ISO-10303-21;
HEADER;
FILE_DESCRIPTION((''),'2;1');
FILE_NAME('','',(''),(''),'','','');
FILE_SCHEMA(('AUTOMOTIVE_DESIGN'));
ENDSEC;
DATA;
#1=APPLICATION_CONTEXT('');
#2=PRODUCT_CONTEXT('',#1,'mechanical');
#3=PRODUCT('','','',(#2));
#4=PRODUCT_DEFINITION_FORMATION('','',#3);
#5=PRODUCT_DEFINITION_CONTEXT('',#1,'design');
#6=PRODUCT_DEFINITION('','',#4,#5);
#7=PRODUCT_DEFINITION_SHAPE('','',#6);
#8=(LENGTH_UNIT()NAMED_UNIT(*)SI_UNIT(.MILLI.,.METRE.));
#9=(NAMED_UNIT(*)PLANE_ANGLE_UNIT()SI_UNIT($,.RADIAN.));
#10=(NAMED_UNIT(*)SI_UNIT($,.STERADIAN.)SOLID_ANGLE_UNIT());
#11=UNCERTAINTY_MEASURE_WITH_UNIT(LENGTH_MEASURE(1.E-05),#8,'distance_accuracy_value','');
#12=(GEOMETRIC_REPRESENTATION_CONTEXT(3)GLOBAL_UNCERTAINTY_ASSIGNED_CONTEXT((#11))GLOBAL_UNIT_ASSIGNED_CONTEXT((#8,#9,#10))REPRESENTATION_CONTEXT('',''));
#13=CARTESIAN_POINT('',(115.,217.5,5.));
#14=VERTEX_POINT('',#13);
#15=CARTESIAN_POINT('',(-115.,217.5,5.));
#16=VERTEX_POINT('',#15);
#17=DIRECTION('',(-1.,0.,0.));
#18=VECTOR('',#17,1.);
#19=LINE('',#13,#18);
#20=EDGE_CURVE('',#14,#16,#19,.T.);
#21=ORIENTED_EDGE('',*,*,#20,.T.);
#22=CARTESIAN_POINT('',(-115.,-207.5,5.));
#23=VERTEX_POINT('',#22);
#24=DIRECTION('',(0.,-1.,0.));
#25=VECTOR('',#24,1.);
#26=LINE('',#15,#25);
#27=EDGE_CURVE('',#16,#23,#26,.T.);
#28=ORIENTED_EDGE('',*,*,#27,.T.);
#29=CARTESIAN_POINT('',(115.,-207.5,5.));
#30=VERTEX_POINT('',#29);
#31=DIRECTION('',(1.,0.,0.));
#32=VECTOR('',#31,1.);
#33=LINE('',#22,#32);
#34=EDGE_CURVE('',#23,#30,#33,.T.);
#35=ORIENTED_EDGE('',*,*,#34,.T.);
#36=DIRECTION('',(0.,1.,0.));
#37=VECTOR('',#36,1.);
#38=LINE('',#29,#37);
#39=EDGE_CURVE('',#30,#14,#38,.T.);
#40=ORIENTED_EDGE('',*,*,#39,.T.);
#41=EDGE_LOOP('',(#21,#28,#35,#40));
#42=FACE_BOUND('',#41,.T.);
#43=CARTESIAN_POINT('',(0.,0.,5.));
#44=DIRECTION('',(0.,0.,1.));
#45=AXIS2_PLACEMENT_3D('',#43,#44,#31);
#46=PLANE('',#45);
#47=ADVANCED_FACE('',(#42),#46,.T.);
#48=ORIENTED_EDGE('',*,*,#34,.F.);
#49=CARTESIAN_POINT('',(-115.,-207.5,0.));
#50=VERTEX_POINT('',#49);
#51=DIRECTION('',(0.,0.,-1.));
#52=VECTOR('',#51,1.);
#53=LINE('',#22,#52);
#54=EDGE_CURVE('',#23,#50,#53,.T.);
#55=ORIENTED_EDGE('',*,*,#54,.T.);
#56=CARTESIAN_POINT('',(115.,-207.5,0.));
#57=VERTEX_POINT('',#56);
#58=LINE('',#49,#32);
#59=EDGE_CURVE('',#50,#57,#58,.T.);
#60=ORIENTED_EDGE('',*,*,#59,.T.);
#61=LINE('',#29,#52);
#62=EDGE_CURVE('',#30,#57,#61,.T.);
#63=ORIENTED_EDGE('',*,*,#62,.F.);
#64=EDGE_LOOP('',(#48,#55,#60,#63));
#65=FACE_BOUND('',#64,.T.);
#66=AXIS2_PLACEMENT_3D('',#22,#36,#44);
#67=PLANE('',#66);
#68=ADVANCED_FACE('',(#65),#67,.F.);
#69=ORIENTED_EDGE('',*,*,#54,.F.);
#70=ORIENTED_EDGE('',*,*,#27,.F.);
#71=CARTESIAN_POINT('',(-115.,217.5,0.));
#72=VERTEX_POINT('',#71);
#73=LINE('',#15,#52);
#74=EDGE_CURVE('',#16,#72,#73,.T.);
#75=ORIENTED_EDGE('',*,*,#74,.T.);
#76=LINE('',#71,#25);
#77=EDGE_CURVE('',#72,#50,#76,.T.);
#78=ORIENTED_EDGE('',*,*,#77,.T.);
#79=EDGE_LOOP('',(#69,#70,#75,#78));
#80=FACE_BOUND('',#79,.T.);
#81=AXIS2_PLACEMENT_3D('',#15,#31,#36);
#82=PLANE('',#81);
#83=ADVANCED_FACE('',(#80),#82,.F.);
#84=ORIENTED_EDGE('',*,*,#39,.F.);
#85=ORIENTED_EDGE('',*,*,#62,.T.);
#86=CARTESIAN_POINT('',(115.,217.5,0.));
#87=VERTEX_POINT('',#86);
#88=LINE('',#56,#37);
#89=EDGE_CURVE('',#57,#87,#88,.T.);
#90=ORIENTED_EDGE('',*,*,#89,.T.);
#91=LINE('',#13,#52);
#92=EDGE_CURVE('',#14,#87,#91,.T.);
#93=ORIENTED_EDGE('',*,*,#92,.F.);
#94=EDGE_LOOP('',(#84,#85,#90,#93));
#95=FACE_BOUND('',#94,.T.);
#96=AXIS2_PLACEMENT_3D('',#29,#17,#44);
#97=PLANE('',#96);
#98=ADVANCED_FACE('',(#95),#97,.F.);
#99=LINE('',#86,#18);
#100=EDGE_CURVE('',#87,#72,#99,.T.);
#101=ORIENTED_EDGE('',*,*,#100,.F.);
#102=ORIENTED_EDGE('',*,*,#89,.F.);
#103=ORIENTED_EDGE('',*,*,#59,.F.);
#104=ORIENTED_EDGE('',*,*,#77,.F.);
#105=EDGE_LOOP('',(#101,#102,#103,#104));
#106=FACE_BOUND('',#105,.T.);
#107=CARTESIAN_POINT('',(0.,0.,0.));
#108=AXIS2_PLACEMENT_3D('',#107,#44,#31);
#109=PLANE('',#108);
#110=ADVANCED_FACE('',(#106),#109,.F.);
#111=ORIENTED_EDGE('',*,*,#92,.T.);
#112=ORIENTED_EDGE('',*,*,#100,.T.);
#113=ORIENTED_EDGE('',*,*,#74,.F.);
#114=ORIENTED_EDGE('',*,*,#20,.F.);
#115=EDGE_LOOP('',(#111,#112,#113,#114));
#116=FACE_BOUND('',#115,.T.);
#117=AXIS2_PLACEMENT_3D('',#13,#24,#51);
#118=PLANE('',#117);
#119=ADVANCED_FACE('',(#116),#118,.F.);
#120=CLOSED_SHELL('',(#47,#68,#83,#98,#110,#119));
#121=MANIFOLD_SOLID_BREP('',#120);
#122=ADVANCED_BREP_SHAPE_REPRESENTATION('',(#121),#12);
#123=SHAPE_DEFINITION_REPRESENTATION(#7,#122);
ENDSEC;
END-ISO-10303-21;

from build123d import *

# Parameters (mm, degrees)
SKETCH1_W           = 230
SKETCH1_H           = 425
BOSS_EXTRUDE1_DEPTH = 5


with BuildPart() as part:
    # Sketch1 → Boss-Extrude1 (new body)
    with BuildSketch(Plane.XY):
        with Locations((0, 5)):
            Rectangle(SKETCH1_W, SKETCH1_H)
    extrude(amount=BOSS_EXTRUDE1_DEPTH)


solid = part.part
